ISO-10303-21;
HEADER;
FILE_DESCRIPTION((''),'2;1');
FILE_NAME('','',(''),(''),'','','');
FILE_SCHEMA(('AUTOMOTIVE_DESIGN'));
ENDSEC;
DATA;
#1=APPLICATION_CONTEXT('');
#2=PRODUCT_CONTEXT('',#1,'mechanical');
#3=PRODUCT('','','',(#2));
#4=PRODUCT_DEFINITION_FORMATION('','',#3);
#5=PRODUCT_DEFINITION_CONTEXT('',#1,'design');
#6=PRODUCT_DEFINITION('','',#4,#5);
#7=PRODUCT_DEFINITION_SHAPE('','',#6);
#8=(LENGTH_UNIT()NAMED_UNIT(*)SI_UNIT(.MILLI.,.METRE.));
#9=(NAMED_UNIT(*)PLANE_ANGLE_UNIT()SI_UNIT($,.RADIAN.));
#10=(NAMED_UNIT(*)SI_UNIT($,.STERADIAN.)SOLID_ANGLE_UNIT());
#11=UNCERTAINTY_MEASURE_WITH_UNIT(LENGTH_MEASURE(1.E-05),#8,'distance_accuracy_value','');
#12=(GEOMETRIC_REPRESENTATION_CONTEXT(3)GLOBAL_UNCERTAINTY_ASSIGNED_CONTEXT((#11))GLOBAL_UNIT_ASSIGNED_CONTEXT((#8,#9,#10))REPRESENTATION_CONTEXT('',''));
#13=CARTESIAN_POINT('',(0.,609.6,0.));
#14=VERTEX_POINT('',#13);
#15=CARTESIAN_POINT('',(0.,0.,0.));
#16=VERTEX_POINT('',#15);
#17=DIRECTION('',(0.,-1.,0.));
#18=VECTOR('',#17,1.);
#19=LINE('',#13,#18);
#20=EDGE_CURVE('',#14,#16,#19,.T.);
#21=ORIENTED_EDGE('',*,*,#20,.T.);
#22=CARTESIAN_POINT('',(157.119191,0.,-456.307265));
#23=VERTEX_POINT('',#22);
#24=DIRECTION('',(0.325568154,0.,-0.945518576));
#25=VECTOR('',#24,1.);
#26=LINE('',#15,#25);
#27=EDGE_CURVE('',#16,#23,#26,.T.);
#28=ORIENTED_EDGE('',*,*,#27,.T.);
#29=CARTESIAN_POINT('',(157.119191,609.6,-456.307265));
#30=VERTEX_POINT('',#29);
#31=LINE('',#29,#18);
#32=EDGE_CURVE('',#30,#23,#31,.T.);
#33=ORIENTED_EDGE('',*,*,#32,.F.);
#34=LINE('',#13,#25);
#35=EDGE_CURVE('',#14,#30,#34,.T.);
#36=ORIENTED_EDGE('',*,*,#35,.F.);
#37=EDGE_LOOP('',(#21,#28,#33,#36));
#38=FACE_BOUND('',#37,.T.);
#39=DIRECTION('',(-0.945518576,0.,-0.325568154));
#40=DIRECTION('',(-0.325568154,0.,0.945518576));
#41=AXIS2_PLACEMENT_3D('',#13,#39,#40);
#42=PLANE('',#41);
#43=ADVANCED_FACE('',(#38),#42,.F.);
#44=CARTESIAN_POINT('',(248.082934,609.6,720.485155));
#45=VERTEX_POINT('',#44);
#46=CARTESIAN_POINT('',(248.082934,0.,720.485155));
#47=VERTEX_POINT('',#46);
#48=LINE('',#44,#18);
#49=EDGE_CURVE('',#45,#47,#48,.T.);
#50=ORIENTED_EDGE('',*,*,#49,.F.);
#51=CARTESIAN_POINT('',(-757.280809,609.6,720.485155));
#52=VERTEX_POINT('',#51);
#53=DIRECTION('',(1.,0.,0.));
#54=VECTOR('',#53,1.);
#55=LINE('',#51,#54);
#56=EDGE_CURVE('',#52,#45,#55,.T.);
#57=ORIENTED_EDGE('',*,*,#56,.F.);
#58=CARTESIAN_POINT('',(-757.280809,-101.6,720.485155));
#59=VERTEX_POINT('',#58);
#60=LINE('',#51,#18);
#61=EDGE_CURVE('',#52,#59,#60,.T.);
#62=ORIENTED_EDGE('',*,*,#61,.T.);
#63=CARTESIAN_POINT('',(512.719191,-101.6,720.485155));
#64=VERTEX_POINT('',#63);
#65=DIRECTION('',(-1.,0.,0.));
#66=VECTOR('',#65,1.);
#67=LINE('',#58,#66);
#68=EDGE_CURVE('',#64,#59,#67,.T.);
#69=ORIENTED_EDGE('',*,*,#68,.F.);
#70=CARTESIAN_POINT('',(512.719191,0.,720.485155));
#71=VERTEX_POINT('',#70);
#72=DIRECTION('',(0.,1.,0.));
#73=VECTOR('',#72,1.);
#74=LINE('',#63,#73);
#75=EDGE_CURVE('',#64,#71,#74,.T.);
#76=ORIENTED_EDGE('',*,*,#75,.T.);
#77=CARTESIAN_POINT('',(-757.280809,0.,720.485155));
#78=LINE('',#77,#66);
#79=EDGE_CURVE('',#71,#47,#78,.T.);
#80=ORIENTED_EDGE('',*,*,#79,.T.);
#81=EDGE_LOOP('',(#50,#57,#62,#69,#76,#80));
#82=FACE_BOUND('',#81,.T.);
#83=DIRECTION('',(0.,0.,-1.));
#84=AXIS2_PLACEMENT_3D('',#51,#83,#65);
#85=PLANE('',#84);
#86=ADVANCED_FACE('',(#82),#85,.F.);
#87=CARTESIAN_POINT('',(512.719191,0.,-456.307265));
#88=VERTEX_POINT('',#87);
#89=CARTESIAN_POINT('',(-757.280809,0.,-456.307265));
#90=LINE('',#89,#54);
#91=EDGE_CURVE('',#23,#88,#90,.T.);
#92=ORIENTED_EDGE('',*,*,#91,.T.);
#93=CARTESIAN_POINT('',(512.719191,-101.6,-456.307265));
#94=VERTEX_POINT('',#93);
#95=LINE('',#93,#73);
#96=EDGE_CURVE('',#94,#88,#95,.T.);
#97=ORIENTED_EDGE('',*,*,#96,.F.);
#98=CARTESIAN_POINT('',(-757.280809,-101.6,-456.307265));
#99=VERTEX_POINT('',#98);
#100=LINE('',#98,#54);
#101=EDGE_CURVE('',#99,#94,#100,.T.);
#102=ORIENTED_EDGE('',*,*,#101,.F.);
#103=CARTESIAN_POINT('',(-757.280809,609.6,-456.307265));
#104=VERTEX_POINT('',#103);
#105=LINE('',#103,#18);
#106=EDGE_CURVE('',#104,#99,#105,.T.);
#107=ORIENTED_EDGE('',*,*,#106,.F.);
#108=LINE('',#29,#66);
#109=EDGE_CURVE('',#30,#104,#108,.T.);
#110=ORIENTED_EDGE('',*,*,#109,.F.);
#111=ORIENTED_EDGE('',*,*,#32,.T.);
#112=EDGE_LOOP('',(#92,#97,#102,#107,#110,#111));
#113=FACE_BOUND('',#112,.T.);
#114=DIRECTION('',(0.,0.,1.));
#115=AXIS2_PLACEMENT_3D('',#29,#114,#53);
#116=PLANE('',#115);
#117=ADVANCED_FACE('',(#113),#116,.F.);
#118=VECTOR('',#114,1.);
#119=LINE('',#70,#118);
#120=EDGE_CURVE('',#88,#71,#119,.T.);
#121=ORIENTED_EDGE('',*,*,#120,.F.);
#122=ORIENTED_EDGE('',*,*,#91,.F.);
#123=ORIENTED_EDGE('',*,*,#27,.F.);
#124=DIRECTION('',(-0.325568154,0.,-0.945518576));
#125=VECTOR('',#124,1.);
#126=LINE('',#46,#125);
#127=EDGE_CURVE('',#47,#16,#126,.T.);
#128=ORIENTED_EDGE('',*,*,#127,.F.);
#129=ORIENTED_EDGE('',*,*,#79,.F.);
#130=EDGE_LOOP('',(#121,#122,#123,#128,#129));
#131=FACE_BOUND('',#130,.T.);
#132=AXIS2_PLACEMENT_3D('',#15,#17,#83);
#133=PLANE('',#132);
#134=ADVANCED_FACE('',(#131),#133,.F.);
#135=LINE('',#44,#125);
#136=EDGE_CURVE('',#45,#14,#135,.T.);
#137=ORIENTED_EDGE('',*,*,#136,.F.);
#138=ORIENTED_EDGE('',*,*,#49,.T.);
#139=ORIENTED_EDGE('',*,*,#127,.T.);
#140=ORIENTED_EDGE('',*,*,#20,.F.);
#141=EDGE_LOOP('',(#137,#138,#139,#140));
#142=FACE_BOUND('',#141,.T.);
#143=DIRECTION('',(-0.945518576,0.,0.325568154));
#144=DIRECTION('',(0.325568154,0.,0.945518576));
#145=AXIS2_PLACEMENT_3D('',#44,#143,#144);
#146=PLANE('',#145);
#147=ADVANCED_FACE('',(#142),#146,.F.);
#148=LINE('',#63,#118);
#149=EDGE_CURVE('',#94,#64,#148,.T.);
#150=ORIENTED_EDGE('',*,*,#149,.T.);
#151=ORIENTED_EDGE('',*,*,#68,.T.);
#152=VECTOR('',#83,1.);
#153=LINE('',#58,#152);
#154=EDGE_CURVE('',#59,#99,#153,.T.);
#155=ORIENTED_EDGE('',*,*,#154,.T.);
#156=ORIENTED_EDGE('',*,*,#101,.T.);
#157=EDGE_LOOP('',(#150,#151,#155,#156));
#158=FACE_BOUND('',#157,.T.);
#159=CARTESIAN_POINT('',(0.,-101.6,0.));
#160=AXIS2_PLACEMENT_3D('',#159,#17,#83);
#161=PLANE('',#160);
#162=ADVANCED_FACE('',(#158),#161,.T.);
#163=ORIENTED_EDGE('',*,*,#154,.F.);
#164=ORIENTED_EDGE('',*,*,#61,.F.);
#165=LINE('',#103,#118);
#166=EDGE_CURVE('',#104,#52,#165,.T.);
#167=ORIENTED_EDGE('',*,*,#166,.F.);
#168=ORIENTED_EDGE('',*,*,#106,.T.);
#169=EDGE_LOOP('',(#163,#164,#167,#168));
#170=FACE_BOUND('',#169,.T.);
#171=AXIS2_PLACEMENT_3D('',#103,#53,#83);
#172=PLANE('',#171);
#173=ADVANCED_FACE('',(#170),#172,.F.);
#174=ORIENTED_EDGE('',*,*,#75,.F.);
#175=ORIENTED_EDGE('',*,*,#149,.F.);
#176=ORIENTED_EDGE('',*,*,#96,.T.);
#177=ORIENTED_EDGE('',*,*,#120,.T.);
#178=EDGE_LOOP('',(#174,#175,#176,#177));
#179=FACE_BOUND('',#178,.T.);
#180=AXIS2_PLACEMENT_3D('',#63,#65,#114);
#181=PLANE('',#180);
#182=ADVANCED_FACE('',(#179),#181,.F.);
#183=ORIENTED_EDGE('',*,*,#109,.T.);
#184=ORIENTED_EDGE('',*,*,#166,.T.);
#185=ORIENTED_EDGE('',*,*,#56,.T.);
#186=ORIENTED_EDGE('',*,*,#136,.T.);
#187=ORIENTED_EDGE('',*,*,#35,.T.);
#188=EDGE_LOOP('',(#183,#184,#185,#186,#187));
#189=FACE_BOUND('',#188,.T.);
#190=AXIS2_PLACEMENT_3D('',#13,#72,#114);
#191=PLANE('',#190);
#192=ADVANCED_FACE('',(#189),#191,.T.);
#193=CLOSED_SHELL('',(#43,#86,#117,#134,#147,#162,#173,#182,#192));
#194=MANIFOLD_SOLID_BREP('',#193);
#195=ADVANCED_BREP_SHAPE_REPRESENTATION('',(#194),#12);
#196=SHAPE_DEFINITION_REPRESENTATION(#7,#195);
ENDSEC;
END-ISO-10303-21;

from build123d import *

# Parameters (mm, degrees)
BOSS_EXTRUDE1_DEPTH = 609.6
SKETCH2_W           = 1270
SKETCH2_H           = 1176.792419191
BOSS_EXTRUDE2_DEPTH = 101.6


with BuildPart() as part:
    # Sketch1 → Boss-Extrude1 (new body)
    with BuildSketch(Plane(origin=(0, 0, 0), x_dir=(1, 0, 0), z_dir=(0, 1, 0))):
        Polygon((0, 0), (157.119191341, 456.307264584), (-757.280808659, 456.307264584), (-757.280808659, -720.485154607), (248.082933696, -720.485154607), align=None)
    extrude(amount=BOSS_EXTRUDE1_DEPTH)

    # Sketch2 → Boss-Extrude2 (add)
    with BuildSketch(Plane.XZ):
        with Locations((-122.280808659, 132.088945011)):
            Rectangle(SKETCH2_W, SKETCH2_H)
    extrude(amount=BOSS_EXTRUDE2_DEPTH)


solid = part.part
